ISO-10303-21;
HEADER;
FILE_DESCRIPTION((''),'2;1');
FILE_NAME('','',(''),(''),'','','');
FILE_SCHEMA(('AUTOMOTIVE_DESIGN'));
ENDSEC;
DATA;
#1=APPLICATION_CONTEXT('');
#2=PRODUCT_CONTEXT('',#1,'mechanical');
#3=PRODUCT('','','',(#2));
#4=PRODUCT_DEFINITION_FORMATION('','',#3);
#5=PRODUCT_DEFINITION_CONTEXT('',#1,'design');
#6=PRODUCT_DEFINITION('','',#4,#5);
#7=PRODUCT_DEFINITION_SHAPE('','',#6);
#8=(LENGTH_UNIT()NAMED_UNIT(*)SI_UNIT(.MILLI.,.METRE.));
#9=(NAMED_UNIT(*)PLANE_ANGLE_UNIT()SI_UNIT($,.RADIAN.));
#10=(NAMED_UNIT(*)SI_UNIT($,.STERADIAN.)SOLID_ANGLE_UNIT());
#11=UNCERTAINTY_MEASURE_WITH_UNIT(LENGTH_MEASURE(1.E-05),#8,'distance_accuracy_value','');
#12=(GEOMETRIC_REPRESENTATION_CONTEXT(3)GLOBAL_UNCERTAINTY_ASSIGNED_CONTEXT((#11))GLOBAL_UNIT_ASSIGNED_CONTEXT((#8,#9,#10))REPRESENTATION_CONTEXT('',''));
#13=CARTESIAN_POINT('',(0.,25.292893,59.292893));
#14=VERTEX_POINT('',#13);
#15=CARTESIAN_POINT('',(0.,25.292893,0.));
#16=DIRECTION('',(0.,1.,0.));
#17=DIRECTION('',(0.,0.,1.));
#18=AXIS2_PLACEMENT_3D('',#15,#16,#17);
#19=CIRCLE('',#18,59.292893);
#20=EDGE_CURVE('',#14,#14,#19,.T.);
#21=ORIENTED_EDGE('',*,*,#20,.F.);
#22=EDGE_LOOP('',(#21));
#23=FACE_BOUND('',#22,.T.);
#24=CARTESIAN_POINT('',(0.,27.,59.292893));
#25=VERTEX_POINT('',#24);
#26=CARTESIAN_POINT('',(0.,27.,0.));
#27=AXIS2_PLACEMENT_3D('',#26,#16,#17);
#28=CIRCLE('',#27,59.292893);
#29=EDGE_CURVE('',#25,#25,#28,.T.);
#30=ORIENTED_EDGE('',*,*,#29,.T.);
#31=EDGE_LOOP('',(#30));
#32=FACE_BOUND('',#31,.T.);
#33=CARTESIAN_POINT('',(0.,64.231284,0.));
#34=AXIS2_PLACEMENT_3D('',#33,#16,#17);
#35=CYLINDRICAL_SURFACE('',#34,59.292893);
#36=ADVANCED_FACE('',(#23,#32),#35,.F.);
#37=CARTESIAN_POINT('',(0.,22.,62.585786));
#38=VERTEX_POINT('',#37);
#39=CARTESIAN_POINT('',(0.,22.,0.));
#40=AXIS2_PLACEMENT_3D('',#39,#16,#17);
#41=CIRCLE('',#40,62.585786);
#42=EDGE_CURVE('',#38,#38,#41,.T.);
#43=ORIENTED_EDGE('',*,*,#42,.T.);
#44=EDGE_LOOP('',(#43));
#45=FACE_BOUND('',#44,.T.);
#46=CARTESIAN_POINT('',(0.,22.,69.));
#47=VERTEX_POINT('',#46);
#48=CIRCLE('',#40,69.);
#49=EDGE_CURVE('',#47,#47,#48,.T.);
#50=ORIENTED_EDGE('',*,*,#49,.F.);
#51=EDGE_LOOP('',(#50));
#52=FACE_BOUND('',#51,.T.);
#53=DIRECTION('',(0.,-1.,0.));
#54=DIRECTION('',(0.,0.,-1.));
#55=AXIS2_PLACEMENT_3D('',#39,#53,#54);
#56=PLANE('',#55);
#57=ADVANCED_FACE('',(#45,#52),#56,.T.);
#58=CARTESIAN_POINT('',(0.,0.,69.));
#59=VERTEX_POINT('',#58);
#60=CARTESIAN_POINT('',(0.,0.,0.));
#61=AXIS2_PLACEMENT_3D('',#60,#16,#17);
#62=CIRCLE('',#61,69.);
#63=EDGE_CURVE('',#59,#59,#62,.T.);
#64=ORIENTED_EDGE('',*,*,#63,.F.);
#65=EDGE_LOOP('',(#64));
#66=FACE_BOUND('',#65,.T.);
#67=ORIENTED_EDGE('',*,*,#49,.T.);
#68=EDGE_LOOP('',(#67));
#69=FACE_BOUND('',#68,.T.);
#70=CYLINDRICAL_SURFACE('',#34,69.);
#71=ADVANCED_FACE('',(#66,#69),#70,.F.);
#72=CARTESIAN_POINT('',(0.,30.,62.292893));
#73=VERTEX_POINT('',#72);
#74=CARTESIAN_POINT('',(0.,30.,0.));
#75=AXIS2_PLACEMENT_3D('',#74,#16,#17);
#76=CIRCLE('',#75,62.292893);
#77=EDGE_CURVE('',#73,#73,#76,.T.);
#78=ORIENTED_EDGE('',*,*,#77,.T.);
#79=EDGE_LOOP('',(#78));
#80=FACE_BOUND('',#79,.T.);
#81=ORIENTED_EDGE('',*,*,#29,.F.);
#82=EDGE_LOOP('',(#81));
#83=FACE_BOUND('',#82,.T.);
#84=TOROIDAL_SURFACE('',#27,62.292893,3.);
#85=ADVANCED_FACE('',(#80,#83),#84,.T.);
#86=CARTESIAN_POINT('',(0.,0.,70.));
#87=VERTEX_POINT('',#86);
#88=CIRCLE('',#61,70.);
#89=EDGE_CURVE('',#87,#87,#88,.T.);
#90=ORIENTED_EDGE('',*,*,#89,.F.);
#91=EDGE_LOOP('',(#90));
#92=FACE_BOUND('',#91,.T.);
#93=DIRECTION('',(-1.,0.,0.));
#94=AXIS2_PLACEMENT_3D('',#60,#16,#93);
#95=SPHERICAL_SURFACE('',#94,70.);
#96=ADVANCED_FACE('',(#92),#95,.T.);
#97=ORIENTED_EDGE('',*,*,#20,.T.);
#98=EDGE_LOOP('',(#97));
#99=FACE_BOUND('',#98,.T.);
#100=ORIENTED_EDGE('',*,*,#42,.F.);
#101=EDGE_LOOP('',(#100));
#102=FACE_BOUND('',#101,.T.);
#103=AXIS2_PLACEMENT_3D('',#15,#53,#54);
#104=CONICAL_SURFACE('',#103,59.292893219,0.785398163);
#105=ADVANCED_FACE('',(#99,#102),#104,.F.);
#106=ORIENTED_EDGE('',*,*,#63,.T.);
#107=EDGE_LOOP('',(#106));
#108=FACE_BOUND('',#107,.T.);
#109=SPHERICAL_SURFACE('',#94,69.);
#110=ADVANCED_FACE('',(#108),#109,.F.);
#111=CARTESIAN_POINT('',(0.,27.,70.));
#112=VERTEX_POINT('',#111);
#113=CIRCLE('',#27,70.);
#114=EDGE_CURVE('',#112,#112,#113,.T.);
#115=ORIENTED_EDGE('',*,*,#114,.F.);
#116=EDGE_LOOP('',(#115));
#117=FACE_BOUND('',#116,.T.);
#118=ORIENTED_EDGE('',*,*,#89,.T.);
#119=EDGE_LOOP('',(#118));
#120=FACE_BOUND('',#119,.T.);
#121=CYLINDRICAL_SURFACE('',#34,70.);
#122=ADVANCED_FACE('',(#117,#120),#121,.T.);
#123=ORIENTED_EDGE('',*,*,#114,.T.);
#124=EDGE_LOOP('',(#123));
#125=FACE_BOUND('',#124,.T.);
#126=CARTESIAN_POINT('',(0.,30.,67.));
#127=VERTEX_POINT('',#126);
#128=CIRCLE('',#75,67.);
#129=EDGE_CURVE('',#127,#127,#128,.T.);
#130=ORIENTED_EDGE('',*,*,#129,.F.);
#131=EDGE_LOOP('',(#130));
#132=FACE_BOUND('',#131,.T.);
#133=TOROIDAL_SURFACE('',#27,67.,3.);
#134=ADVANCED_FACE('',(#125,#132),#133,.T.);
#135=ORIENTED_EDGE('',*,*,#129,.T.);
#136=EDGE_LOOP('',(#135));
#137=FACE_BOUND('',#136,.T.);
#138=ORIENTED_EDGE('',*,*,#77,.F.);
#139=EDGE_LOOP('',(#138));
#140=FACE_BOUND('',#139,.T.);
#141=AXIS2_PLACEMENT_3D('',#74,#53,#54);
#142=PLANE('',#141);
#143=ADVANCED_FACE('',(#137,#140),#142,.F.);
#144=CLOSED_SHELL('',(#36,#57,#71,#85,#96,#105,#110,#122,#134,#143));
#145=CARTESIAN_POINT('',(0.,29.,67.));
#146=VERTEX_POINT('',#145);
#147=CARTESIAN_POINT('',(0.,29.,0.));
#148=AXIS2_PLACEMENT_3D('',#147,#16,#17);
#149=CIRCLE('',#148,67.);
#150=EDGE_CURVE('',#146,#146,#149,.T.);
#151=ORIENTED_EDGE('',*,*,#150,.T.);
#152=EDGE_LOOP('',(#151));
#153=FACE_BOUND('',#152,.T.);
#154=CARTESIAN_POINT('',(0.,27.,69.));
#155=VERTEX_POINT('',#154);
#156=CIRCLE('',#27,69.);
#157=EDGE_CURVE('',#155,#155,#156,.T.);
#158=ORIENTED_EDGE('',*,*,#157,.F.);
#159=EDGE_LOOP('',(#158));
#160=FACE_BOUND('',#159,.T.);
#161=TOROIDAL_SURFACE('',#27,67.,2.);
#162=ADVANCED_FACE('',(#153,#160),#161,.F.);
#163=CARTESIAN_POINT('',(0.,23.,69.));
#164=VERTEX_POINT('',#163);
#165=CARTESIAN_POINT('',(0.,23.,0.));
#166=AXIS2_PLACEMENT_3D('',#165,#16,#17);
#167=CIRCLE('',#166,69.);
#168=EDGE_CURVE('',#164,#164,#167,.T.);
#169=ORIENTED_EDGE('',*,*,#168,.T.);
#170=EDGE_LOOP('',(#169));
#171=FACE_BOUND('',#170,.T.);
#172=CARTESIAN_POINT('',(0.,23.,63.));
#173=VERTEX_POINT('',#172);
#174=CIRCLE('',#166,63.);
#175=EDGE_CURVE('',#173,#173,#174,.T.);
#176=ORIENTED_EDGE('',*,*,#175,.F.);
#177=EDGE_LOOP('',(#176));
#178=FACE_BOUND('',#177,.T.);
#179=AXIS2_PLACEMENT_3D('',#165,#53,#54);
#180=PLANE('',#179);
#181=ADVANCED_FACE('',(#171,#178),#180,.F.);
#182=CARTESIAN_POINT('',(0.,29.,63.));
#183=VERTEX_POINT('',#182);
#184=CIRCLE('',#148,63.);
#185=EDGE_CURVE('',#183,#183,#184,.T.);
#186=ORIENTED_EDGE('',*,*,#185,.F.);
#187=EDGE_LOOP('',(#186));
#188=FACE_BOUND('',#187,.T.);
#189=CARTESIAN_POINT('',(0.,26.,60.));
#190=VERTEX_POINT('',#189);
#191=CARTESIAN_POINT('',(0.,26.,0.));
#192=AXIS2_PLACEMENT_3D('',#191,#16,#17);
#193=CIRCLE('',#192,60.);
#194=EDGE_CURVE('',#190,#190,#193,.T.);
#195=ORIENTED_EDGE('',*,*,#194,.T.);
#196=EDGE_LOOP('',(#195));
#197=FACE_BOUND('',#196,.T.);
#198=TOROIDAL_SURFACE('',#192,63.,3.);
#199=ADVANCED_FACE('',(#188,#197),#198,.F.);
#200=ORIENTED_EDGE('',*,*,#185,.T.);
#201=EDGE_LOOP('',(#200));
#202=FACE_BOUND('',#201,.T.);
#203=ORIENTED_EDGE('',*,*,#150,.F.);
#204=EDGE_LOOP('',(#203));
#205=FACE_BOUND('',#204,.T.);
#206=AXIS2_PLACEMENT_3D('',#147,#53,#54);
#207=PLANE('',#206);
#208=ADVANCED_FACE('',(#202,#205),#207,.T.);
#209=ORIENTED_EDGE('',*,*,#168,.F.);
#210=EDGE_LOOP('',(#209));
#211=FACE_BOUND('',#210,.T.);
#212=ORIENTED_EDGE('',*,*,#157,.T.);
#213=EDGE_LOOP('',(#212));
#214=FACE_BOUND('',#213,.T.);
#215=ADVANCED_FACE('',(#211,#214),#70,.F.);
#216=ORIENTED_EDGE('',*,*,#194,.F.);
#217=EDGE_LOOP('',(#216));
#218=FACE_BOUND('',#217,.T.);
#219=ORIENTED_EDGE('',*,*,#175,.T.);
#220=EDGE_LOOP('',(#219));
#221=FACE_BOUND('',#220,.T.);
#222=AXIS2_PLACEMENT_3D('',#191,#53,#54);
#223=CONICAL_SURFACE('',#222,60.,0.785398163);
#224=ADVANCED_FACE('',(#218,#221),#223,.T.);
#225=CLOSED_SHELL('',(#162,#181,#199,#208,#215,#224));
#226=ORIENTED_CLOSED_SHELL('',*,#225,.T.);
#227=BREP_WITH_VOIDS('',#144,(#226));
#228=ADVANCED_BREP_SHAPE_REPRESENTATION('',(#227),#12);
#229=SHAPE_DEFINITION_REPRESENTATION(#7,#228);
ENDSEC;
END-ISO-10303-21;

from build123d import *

# Parameters (mm, degrees)
SKETCH1_W = 1
SKETCH1_H = 1


with BuildPart() as part:
    # Sketch1 → Revolve1 (revolve)
    with BuildSketch(Plane.XY, mode=Mode.PRIVATE) as revolve1_sk:
        with BuildLine():
            Line((-70, 26), (-70, 0))
            ThreePointArc((-70, 0), (-49.497474683, -49.497474683), (0, -70))
            Line((0, -70), (0, -69))
            ThreePointArc((0, -69), (-48.790367902, -48.790367902), (-69, 0))
            Line((-69, 0), (-69, 22))
            Line((-69, 22), (-62.585786438, 22))
            Line((-62.585786438, 22), (-59.292893219, 25.292893219))
            Line((-59.292893219, 25.292893219), (-59.292893219, 27))
            Line((-59.292893219, 27), (-60.171572875, 27))
            ThreePointArc((-60.171572875, 27), (-60.043204321, 26.507305936), (-60, 26))
            Line((-60, 26), (-63, 23))
            Line((-63, 23), (-69, 23))
            Line((-69, 23), (-69, 26))
            Line((-69, 26), (-70, 26))
        make_face()
        with Locations((-69.5, 26.5)):
            Rectangle(SKETCH1_W, SKETCH1_H)
        with BuildLine():
            ThreePointArc((-67, 30), (-69.121320344, 29.121320344), (-70, 27))
            Line((-70, 27), (-69, 27))
            ThreePointArc((-69, 27), (-68.414213562, 28.414213562), (-67, 29))
            Line((-67, 29), (-63, 29))
            ThreePointArc((-63, 29), (-61.267949192, 28.449489743), (-60.171572875, 27))
            Line((-60.171572875, 27), (-59.292893219, 27))
            ThreePointArc((-59.292893219, 27), (-60.171572875, 29.121320344), (-62.292893219, 30))
            Line((-62.292893219, 30), (-67, 30))
        make_face()
    revolve(revolve1_sk.sketch.rotate(Axis((0, 64.231283711, 0), (0, -1, 0)), 270), axis=Axis((0, 64.231283711, 0), (0, -1, 0)))


solid = part.part
